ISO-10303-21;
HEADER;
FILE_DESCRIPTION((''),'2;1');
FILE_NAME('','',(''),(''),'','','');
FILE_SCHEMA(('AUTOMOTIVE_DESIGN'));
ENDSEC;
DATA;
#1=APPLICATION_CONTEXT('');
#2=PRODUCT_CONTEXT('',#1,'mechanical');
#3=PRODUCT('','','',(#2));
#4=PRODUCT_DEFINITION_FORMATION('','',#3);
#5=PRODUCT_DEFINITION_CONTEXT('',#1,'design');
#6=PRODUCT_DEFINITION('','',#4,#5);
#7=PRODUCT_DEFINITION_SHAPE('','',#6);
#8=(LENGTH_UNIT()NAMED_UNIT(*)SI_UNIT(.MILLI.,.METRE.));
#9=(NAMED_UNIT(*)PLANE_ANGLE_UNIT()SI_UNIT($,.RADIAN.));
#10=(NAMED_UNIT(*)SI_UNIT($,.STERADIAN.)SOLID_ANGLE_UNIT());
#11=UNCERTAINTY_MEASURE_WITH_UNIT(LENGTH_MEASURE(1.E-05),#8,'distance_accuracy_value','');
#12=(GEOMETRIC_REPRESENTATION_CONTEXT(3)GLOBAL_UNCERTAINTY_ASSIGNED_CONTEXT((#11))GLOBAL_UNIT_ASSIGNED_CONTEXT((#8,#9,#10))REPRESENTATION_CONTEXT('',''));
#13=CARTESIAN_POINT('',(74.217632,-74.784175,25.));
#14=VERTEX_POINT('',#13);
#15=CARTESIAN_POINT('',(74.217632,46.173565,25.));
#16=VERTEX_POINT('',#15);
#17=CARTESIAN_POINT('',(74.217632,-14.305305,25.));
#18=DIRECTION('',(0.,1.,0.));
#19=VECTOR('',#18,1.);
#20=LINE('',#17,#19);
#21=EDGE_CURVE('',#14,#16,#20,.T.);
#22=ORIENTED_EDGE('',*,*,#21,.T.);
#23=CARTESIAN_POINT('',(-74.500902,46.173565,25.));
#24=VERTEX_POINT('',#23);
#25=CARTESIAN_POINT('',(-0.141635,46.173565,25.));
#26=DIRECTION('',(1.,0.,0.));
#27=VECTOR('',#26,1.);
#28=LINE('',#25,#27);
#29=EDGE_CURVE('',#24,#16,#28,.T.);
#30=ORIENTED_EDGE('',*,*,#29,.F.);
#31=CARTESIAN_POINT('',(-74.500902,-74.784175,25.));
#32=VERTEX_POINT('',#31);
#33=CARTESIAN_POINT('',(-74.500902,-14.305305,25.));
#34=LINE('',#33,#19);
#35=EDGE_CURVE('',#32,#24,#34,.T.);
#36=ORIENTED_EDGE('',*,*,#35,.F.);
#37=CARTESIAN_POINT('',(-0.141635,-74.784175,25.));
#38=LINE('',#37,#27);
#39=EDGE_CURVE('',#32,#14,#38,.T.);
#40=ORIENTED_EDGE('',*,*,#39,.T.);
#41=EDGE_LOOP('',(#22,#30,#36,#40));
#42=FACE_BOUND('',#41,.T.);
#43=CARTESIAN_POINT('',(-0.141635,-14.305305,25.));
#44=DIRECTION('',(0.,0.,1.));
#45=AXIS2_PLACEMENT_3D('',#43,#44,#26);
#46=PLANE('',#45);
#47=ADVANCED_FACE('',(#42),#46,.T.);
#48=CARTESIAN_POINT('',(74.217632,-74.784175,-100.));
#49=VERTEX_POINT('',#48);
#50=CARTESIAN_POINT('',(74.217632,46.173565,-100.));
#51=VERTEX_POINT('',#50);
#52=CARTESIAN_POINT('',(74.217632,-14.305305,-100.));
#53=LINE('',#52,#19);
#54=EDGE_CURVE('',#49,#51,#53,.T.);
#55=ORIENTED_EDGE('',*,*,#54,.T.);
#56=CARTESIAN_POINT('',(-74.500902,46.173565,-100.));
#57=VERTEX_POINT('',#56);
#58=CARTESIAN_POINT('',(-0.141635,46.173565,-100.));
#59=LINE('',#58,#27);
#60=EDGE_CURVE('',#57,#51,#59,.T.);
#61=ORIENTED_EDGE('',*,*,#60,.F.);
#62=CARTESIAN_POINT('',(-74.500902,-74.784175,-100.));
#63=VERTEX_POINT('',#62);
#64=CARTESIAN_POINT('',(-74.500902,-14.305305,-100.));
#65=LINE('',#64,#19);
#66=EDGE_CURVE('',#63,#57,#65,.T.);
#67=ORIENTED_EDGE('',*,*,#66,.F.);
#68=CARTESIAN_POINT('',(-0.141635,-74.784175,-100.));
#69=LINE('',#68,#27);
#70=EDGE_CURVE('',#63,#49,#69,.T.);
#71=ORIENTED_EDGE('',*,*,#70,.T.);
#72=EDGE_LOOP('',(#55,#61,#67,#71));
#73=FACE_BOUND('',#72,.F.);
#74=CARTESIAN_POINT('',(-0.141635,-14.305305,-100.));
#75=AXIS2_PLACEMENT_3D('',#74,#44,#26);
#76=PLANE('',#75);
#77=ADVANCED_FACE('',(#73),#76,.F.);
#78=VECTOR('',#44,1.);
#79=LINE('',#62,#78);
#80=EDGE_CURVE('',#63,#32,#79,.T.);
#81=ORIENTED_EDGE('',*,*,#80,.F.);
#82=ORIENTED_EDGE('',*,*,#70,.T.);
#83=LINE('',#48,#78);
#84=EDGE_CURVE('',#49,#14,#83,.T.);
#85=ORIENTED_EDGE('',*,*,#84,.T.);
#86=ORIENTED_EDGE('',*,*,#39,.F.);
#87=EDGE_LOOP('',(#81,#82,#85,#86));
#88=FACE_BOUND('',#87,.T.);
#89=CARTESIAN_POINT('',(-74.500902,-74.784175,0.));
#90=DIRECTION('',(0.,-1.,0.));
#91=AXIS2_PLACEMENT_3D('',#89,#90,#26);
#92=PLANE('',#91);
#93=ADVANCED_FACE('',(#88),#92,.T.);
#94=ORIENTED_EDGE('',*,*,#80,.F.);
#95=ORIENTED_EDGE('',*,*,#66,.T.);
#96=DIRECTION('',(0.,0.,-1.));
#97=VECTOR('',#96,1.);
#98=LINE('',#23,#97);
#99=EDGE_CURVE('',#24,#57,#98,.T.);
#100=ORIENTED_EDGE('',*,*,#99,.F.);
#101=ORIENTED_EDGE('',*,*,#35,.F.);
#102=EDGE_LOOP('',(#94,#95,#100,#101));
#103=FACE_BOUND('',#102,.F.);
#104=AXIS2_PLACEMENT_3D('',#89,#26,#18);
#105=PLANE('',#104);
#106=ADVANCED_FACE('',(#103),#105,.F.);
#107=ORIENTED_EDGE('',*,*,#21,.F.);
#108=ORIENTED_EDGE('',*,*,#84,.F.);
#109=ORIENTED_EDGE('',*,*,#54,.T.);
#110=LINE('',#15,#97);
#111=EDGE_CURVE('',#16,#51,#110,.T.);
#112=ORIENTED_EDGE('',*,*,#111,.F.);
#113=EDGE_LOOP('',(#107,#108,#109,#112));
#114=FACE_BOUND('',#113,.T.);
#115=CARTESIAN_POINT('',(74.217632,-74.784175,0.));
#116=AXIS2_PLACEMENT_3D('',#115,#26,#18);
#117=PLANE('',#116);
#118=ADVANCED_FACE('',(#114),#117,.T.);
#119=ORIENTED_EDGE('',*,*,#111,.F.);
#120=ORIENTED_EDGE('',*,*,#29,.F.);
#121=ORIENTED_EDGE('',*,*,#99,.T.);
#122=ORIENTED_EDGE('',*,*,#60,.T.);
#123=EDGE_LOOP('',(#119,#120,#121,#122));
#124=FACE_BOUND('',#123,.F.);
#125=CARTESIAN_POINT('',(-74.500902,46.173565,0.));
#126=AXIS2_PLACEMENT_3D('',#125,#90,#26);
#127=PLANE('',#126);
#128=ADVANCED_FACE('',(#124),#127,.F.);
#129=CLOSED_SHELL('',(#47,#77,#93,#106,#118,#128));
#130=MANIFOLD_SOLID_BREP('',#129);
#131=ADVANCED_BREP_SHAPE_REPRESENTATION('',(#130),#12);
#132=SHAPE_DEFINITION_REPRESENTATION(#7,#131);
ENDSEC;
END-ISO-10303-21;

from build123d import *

# Parameters (mm, degrees)
F0_W     = 148.718535
F0_H     = 120.95774
F1_DEPTH = 25
F2_DEPTH = 100


with BuildPart() as f1:
    # F0 (on Top) → F1 (new body)
    with BuildSketch(Plane.XY):
        with Locations((-0.141635, -14.305305)):
            Rectangle(F0_W, F0_H)
    extrude(amount=F1_DEPTH)

    # F0 (on Top) → F2 (join)
    with BuildSketch(Plane.XY):
        with Locations((-0.141635, -14.305305)):
            Rectangle(F0_W, F0_H)
    extrude(amount=-F2_DEPTH)


solid = f1.part
